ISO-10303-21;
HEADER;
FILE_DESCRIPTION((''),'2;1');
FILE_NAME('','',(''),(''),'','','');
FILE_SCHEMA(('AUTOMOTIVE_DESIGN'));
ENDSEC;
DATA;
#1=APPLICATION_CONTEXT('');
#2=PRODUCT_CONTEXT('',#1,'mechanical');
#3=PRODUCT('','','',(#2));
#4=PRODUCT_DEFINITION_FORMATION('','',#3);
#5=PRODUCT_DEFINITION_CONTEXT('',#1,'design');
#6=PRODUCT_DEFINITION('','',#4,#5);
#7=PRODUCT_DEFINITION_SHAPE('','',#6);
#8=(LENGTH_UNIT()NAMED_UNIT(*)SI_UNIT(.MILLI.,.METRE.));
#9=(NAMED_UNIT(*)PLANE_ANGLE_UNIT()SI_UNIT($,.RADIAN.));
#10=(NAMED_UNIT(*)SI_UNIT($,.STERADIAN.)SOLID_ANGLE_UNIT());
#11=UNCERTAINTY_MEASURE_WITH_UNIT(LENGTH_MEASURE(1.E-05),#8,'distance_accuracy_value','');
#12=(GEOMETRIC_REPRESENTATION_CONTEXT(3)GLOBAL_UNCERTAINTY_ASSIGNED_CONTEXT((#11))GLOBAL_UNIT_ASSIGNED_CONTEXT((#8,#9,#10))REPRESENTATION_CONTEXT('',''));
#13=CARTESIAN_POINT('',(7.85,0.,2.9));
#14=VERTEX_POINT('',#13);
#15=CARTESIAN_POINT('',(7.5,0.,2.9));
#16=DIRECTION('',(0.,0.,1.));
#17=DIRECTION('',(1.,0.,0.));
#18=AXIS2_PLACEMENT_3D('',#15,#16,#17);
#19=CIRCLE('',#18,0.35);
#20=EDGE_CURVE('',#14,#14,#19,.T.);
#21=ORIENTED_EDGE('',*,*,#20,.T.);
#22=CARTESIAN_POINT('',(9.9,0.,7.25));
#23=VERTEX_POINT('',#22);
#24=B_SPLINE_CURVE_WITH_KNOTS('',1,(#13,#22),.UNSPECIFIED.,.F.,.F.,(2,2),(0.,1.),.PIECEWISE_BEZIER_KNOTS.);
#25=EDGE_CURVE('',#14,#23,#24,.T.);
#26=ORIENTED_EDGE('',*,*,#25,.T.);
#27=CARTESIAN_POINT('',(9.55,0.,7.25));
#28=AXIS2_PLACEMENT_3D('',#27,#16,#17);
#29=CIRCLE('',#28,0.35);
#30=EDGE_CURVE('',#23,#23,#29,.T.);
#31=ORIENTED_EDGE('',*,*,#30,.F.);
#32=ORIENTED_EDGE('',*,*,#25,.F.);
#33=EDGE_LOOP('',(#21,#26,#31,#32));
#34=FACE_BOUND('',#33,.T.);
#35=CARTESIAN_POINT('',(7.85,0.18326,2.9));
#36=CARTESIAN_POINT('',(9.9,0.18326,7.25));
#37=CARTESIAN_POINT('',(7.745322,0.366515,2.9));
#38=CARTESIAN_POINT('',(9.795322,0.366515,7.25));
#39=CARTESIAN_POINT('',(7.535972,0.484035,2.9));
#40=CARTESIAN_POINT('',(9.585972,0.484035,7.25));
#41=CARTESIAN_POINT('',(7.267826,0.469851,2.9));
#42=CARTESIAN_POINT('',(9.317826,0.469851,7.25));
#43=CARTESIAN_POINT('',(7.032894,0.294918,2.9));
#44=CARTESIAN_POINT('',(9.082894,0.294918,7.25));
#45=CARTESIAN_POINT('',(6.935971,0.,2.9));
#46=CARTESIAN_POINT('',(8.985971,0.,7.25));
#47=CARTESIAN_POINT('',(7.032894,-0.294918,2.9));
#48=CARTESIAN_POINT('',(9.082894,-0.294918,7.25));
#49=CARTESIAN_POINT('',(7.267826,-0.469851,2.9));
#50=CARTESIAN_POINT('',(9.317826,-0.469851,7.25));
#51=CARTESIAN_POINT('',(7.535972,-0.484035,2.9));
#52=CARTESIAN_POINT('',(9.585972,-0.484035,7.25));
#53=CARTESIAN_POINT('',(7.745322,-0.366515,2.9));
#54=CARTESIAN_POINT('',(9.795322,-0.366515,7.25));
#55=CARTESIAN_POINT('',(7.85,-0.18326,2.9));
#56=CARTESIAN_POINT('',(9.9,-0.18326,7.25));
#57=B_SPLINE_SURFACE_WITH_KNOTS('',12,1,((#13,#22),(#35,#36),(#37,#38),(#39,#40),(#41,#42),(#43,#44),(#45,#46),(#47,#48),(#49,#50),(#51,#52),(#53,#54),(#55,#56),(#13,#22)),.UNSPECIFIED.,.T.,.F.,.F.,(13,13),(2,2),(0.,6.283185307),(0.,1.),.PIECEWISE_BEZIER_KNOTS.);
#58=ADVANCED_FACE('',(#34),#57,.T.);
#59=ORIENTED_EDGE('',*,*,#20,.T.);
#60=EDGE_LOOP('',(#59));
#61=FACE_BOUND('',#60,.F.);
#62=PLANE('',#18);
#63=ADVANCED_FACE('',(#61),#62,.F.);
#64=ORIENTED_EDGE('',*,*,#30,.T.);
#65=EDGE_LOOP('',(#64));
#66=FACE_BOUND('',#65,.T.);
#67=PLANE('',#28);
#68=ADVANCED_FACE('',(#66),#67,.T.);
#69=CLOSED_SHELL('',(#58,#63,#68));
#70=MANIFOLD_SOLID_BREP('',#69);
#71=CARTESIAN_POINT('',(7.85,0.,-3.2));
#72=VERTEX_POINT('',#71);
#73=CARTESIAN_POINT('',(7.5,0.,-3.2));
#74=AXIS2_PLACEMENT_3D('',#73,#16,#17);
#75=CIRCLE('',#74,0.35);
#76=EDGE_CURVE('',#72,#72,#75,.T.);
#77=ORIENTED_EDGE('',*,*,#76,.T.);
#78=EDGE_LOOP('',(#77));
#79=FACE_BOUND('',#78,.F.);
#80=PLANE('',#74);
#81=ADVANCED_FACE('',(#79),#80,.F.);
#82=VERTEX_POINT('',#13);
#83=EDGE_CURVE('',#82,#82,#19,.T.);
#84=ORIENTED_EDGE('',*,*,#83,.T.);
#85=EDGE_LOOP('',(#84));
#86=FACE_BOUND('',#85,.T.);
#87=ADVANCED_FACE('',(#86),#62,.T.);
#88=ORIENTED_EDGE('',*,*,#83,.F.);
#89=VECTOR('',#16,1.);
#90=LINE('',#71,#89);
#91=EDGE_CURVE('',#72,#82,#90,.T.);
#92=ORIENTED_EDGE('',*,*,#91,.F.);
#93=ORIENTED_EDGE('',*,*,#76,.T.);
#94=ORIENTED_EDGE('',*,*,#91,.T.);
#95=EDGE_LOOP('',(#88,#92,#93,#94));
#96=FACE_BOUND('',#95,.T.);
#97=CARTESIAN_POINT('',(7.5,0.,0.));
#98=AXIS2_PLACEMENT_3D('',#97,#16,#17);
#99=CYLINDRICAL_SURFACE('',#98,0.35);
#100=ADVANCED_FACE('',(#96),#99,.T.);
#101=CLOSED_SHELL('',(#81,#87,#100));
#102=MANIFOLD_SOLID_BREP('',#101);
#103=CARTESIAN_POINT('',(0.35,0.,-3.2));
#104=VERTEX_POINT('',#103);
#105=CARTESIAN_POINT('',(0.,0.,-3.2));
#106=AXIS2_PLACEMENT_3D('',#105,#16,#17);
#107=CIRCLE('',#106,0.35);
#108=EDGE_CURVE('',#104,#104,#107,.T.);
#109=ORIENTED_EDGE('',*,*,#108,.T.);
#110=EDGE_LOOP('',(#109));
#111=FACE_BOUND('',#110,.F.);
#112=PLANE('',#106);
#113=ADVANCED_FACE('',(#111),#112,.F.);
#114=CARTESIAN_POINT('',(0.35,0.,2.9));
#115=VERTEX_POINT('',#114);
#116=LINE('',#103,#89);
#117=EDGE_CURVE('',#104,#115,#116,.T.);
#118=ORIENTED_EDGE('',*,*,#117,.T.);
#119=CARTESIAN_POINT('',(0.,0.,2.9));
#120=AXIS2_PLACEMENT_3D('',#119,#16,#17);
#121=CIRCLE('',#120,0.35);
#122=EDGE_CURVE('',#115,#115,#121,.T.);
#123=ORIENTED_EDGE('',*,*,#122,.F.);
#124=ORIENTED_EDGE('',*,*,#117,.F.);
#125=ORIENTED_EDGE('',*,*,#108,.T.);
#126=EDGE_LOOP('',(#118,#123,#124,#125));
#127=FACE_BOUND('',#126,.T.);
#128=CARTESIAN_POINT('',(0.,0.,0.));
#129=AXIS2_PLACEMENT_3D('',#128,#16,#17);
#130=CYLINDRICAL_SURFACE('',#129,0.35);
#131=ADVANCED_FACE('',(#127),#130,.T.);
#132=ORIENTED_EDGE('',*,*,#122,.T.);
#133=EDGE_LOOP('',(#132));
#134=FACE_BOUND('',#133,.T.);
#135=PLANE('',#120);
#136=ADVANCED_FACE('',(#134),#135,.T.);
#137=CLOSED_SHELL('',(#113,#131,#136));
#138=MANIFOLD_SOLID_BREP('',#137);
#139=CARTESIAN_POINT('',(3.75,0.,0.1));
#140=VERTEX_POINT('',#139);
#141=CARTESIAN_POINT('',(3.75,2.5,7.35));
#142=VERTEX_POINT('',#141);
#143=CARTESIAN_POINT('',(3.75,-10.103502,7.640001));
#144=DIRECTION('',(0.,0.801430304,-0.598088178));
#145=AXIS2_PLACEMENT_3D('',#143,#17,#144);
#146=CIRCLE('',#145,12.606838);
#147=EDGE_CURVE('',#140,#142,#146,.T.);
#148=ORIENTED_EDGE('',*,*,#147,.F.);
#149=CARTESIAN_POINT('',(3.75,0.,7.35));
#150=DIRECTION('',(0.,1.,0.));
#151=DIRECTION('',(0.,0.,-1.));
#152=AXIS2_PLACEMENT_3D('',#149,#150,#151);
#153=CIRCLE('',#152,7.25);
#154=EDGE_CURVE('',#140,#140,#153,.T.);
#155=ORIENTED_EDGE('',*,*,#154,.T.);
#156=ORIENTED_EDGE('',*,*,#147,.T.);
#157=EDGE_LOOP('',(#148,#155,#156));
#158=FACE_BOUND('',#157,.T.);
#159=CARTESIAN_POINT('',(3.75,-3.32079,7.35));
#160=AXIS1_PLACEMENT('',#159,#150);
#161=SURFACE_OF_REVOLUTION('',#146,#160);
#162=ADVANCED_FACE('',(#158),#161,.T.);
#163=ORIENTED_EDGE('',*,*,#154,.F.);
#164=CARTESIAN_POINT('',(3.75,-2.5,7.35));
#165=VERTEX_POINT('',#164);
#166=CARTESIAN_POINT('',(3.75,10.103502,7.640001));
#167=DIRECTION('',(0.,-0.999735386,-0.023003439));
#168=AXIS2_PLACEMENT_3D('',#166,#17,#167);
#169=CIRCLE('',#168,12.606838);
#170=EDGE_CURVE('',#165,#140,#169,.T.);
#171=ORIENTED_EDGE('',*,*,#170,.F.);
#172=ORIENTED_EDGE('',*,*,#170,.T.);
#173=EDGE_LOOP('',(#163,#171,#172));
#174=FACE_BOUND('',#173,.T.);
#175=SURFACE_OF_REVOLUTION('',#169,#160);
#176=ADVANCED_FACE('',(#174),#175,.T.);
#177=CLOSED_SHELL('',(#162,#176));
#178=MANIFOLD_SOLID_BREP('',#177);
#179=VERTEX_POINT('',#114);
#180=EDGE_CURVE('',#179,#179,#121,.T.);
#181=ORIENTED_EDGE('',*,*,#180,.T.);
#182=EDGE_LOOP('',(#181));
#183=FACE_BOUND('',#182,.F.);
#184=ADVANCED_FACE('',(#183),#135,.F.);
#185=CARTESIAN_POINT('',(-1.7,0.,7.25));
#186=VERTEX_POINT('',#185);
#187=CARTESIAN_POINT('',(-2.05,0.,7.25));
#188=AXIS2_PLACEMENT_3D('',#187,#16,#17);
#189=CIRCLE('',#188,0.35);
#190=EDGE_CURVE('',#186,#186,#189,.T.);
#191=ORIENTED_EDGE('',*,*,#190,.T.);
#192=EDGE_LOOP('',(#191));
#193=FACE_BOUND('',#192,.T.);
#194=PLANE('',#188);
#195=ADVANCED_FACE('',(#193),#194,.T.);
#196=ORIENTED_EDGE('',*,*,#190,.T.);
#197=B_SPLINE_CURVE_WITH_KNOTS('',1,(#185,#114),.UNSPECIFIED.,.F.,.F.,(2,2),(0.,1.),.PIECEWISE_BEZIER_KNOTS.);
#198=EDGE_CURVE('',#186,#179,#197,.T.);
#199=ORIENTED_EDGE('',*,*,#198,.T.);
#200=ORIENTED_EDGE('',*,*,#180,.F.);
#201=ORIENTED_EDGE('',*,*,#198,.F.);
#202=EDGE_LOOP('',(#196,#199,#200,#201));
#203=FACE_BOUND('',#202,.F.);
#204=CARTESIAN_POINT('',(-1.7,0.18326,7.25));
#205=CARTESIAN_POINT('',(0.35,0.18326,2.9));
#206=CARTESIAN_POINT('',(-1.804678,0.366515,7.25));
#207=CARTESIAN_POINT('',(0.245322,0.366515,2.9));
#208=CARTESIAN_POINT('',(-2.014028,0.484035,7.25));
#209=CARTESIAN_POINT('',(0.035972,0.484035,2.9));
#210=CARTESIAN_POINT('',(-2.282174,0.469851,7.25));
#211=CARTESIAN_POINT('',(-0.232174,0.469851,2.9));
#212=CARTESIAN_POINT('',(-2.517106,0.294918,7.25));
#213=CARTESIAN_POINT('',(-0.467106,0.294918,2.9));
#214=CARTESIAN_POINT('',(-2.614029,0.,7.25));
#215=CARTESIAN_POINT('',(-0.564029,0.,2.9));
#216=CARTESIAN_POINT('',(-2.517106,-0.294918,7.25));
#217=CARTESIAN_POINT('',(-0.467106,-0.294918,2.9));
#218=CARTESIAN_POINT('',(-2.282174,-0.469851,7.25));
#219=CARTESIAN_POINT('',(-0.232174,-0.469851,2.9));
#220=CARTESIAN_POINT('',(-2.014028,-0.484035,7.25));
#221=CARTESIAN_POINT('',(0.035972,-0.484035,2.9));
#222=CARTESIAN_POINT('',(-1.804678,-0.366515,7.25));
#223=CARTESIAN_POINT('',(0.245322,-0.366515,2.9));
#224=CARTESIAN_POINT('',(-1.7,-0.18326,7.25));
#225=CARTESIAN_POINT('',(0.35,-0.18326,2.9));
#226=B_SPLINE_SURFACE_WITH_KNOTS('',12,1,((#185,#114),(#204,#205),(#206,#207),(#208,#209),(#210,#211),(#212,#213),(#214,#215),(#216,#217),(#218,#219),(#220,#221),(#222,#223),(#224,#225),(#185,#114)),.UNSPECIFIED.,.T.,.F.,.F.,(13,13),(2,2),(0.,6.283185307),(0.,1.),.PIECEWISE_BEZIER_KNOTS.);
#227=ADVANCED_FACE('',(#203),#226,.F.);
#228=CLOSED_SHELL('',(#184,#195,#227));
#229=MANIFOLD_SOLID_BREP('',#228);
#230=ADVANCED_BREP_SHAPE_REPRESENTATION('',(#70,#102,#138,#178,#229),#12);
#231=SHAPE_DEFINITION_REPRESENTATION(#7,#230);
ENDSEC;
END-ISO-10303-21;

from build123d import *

# Parameters (mm, degrees)
SKETCH001_R       = 0.35
PAD001_DEPTH      = 2.9
PAD001_DEPTH_BACK = 3.2
SKETCH002_R       = 0.35
SKETCH003_R       = 0.35
SKETCH004_R       = 0.35
SKETCH005_R       = 0.35


with BuildPart() as pad001:
    # Sketch001 → Pad001 (new body, two sides)
    with BuildSketch(Plane.XY) as pad001_sk:
        Circle(SKETCH001_R)
        with Locations((7.5, 0)):
            Circle(SKETCH001_R)
    extrude(amount=PAD001_DEPTH)
    extrude(pad001_sk.sketch, amount=-PAD001_DEPTH_BACK)


with BuildPart() as revolution:
    # Sketch → Revolution (revolve)
    with BuildSketch(Plane.YZ.offset(3.75)):
        with BuildLine():
            Line((-2.5, 7.35), (2.5, 7.35))
            ThreePointArc((0, 0.1), (1.814662, 3.530289), (2.5, 7.35))
            ThreePointArc((-2.5, 7.35), (-1.814662, 3.530289), (0, 0.1))
        make_face()
    revolve(axis=Axis((3.75, -3.32079, 7.35), (0, 1, 0)))


with BuildPart() as loft_body:
    # Sketch002 → Loft section 0
    with BuildSketch(Plane.XY.offset(7.25)):
        with Locations((-2.05, 0)):
            Circle(SKETCH002_R)
    # Sketch003 → Loft section 1
    with BuildSketch(Plane.XY.offset(2.9)):
        Circle(SKETCH003_R)
    loft()


with BuildPart() as loft001:
    # Sketch004 → Loft001 section 0
    with BuildSketch(Plane.XY.offset(2.9)):
        with Locations((7.5, 0)):
            Circle(SKETCH004_R)
    # Sketch005 → Loft001 section 1
    with BuildSketch(Plane.XY.offset(7.25)):
        with Locations((9.55, 0)):
            Circle(SKETCH005_R)
    loft()


solid = Compound([pad001.part, revolution.part, loft_body.part, loft001.part])
